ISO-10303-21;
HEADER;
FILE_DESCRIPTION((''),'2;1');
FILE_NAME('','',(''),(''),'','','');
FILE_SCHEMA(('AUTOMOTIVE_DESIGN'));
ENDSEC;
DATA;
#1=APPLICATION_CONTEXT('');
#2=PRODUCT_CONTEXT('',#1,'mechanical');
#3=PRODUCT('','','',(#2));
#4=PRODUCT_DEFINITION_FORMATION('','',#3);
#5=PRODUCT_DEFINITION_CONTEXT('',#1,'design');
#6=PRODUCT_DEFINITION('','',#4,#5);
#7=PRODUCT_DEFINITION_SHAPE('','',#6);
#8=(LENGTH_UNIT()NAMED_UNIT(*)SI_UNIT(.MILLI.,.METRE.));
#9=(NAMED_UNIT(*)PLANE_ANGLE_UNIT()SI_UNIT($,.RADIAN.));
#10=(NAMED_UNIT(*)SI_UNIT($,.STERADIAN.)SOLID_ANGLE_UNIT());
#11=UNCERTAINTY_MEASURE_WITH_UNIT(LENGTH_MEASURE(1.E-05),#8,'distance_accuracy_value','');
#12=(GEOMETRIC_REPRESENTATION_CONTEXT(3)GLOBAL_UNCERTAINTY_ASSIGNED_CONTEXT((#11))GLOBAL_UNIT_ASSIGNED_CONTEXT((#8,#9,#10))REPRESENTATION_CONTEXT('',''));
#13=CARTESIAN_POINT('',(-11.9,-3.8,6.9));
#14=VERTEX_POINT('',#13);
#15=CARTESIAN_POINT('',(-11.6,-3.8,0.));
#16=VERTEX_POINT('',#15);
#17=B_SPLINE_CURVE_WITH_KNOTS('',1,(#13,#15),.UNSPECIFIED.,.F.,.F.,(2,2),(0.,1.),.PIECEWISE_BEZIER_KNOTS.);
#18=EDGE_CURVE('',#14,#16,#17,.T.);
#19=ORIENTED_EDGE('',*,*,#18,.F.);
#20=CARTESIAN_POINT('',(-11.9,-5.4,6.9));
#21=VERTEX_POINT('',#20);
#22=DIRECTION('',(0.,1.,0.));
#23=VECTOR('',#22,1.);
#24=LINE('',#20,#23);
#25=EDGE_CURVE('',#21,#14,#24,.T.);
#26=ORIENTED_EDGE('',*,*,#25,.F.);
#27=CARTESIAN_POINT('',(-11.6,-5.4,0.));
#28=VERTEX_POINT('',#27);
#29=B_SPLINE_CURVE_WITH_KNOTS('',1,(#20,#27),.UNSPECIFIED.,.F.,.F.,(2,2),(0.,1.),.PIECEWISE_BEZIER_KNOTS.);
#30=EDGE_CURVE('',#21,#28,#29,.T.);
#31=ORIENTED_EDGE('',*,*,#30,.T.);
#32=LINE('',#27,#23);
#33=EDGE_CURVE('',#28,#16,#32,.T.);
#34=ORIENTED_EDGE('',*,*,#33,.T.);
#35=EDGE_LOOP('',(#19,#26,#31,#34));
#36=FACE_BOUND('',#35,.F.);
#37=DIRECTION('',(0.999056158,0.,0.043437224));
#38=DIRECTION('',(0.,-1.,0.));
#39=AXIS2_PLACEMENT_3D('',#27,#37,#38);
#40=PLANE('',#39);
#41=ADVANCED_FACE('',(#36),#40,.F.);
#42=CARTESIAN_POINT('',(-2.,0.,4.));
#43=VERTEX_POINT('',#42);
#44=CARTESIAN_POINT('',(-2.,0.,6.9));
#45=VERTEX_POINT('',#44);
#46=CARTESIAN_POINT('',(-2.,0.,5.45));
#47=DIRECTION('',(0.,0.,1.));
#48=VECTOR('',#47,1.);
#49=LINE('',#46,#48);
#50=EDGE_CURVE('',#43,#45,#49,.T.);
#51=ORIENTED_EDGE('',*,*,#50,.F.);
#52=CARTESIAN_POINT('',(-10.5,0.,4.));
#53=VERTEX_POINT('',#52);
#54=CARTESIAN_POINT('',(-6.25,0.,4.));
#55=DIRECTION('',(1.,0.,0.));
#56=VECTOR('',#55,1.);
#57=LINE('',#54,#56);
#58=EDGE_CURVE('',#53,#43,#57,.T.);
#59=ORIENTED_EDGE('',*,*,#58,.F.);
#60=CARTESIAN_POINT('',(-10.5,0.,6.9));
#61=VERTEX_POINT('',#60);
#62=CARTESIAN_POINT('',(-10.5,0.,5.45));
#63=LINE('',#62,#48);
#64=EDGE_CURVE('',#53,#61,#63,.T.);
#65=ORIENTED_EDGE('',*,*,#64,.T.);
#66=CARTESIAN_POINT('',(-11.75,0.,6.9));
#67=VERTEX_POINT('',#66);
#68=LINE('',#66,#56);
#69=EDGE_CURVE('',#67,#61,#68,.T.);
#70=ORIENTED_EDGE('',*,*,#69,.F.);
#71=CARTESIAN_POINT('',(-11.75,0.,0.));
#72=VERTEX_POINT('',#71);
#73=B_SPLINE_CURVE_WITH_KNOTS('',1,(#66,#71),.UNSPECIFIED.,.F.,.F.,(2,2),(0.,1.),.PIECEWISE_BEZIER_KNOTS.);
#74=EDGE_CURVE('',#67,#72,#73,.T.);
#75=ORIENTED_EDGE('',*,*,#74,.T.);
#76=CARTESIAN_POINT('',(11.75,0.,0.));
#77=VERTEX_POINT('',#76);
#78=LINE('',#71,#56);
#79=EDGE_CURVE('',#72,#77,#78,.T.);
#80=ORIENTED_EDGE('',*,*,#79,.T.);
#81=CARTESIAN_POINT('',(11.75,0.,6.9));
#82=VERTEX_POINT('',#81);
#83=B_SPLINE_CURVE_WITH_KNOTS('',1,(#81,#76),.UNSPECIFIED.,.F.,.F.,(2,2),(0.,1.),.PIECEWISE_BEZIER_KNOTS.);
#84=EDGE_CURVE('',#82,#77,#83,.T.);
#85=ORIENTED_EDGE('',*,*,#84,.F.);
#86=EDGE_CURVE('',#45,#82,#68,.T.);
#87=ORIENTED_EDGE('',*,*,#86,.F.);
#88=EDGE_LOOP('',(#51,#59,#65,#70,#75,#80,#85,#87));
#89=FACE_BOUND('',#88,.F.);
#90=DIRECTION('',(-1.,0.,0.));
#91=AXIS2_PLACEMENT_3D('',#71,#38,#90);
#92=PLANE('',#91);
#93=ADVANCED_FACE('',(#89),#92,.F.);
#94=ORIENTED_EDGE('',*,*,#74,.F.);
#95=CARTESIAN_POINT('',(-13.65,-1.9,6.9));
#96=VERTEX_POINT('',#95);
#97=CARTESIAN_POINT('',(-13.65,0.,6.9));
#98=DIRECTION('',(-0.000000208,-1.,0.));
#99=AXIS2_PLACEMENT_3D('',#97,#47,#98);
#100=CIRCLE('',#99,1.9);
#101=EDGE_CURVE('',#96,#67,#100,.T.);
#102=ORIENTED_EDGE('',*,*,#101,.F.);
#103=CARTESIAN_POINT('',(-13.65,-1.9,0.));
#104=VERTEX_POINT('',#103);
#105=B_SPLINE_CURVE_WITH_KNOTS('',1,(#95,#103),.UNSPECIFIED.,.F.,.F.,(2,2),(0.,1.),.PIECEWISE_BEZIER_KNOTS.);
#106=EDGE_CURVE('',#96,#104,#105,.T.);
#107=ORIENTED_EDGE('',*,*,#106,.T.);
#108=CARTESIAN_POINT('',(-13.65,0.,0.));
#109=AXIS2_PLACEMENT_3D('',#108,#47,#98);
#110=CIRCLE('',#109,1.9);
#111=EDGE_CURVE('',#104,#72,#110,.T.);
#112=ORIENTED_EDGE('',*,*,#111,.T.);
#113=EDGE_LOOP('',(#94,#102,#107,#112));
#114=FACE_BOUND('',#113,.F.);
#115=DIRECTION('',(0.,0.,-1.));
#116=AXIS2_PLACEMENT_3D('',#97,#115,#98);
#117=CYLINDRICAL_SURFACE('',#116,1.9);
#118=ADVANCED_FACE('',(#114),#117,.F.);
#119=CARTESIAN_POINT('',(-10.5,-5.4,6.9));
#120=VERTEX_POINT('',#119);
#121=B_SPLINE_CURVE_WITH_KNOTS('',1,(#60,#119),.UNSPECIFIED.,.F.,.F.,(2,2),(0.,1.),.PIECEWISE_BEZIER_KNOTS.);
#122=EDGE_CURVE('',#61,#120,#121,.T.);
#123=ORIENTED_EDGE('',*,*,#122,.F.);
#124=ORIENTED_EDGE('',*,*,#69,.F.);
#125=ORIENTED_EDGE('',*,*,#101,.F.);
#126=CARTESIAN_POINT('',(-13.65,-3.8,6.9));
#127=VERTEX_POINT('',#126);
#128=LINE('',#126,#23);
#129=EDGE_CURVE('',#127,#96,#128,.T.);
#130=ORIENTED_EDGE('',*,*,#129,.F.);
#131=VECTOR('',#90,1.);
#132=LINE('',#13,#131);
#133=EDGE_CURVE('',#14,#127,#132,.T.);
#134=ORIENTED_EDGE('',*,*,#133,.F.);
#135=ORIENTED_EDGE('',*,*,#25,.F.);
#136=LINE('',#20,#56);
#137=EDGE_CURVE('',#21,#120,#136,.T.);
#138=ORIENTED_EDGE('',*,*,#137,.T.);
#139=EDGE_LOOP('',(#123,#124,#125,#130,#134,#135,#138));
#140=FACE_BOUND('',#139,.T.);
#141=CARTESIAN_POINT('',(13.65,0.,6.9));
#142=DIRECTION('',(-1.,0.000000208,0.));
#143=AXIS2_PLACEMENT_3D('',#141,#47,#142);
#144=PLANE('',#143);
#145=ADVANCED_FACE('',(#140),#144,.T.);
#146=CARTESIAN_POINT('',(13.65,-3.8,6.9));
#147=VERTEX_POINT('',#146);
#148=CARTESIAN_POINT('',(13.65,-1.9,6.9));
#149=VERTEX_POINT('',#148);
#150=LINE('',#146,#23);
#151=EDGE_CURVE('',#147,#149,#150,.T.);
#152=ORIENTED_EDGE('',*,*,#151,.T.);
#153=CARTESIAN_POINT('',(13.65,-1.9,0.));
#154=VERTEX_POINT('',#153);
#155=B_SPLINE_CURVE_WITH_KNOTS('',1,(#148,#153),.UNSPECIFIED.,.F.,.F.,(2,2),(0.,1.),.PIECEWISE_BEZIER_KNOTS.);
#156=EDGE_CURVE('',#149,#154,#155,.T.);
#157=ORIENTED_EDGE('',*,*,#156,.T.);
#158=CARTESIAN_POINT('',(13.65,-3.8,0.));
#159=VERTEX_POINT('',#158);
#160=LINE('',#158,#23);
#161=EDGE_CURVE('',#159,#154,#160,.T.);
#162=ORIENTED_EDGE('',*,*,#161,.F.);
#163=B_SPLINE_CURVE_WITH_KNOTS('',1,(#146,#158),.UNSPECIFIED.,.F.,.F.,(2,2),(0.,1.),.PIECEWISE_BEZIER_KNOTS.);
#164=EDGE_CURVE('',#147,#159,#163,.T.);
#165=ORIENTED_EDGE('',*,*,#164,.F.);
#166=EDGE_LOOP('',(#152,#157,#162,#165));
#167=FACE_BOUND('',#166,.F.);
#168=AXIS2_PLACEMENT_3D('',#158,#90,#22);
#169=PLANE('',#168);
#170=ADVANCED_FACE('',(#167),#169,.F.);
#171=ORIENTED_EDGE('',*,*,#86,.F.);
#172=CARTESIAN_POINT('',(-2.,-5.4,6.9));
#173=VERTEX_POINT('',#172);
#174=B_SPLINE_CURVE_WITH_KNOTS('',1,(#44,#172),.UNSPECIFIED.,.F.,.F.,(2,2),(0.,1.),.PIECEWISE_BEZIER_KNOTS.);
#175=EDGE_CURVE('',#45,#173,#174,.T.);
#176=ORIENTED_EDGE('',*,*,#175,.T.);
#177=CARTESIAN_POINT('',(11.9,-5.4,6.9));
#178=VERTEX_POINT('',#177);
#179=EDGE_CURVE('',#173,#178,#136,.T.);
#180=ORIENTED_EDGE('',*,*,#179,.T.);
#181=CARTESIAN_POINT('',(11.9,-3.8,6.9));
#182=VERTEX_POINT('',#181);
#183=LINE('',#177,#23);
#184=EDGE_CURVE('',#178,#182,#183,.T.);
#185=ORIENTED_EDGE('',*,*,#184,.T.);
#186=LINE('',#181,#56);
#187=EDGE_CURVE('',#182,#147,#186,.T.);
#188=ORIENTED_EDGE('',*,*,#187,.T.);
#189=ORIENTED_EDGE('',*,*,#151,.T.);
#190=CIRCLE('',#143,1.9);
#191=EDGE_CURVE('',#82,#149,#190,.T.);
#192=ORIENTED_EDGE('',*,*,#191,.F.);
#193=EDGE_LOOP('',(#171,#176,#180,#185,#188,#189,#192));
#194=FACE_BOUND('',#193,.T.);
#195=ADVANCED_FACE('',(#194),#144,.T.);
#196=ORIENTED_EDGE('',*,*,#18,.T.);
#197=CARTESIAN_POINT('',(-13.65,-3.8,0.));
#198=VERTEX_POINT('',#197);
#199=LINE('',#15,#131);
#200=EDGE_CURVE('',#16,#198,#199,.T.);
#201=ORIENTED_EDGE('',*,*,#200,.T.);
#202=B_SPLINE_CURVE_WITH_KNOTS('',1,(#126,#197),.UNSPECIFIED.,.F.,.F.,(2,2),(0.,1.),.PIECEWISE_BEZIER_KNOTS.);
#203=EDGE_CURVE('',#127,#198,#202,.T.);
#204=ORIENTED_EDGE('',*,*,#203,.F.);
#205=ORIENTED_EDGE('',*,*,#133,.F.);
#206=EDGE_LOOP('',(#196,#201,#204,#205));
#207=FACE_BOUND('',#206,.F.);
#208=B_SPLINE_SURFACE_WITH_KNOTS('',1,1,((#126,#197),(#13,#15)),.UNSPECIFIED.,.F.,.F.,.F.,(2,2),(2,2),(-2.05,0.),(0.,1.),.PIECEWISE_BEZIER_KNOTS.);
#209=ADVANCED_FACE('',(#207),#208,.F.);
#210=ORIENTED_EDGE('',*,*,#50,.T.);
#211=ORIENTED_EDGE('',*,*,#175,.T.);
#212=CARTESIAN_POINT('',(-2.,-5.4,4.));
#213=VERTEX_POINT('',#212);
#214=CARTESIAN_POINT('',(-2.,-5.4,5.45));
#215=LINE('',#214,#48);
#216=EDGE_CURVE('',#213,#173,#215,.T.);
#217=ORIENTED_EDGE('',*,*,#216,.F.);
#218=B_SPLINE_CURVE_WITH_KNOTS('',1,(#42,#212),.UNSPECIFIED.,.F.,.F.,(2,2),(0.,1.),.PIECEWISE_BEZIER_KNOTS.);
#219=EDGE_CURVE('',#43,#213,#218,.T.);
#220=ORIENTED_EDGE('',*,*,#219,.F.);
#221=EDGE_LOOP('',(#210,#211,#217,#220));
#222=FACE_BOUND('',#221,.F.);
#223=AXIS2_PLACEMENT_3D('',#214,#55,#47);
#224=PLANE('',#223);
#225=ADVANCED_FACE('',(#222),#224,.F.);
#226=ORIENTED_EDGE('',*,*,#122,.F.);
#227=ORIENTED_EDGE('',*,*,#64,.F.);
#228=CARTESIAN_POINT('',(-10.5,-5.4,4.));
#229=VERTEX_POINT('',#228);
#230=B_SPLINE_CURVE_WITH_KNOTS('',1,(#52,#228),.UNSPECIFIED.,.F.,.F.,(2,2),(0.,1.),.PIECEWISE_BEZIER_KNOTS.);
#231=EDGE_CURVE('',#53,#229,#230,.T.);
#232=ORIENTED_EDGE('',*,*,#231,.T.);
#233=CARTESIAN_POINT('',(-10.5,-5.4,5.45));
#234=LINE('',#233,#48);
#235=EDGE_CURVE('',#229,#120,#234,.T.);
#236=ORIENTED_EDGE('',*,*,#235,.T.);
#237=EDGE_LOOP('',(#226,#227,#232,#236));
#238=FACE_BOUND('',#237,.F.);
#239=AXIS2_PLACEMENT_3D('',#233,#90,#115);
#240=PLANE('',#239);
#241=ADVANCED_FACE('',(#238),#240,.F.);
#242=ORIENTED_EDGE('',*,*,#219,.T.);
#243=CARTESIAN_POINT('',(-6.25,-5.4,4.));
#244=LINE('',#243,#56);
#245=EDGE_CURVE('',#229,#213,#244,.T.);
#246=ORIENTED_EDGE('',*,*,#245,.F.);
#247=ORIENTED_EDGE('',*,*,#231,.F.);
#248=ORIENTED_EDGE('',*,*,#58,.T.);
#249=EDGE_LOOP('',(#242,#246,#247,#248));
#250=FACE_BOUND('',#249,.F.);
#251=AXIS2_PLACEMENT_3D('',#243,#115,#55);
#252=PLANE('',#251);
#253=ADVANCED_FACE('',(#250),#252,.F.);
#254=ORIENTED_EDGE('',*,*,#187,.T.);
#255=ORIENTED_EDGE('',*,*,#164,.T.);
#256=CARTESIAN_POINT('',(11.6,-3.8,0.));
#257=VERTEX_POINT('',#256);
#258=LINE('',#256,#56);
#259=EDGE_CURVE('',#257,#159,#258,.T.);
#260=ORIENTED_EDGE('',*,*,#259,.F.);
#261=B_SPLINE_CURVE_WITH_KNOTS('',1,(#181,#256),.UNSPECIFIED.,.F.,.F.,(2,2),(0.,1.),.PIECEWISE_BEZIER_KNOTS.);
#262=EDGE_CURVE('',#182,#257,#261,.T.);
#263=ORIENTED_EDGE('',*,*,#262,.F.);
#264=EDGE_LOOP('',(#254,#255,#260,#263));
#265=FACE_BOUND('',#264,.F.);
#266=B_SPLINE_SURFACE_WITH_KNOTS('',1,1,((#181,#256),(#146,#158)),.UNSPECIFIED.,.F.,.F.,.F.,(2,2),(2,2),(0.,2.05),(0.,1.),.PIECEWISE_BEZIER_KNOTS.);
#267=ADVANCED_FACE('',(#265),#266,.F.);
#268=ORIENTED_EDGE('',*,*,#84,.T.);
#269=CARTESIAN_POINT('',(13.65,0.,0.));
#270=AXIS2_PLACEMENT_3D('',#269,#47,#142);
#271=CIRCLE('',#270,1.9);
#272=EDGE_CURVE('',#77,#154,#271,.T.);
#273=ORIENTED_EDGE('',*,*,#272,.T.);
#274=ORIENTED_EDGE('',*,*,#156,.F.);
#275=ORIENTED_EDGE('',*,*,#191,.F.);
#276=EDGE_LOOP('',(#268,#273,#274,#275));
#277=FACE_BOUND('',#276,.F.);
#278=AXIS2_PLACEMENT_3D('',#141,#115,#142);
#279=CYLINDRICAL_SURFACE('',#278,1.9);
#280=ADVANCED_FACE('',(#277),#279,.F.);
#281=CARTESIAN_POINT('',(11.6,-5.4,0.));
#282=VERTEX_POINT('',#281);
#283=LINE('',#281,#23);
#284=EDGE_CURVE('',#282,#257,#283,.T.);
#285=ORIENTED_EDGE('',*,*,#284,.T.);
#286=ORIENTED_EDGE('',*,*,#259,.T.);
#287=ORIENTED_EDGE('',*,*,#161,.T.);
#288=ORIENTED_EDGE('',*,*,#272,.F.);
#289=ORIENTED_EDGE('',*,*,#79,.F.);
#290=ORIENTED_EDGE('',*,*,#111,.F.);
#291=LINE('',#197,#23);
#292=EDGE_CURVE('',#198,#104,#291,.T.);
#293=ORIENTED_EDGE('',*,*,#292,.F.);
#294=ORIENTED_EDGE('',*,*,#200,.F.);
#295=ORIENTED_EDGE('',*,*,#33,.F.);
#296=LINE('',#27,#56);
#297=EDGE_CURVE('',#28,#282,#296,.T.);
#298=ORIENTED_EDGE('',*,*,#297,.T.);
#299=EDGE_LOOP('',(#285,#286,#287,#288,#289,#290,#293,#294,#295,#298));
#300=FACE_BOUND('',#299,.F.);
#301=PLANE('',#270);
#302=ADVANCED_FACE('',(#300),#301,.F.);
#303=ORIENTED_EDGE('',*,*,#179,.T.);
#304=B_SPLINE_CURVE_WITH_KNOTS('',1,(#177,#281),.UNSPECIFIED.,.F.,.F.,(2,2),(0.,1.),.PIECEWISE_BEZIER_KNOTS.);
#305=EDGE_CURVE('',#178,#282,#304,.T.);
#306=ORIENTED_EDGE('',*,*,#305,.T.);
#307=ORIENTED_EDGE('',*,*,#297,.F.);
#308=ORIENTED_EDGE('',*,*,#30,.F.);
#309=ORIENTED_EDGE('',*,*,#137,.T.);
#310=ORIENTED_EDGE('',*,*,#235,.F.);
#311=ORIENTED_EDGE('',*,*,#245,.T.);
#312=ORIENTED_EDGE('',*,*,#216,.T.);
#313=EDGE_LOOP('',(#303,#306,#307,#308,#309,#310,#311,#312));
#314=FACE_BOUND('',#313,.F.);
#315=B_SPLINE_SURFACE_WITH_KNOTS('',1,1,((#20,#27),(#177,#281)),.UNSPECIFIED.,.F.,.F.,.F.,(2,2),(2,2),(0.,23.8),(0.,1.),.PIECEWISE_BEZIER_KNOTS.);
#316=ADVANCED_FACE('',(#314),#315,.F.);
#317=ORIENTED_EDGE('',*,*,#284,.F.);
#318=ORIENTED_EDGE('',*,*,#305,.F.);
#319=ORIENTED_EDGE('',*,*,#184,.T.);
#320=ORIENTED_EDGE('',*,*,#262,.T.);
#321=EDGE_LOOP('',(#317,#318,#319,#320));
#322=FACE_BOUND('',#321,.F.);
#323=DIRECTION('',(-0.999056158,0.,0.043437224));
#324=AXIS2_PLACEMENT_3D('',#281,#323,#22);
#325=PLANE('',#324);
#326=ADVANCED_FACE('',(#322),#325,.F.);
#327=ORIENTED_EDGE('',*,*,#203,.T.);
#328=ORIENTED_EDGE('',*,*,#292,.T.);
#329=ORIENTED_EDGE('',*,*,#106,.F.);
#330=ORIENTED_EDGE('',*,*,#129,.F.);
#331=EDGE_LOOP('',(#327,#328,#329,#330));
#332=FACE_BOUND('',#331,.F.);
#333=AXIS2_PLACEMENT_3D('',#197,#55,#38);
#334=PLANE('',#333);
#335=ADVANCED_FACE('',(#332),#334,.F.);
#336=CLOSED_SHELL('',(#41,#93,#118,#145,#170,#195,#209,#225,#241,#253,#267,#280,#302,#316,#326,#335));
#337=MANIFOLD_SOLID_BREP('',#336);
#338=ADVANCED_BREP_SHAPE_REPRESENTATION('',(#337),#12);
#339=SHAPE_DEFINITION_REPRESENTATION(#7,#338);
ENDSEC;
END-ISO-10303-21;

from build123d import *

# Parameters (mm, degrees)
SKETCH002_W = 8.5
SKETCH002_H = 2.9
SKETCH003_W = 8.5
SKETCH003_H = 2.9


with BuildPart() as part:
    # Sketch001 → AdditiveLoft section 0
    with BuildSketch(Plane.XY.offset(6.9)):
        with BuildLine():
            Line((-11.9, -5.4), (11.9, -5.4))
            Line((11.9, -5.4), (11.9, -3.8))
            Line((11.9, -3.8), (13.65, -3.8))
            Line((13.65, -3.8), (13.65, -1.9))
            ThreePointArc((11.75, 0), (12.306497, -1.343503), (13.65, -1.9))
            Line((-11.75, 0), (11.75, 0))
            ThreePointArc((-13.65, -1.9), (-12.306497, -1.343503), (-11.75, 0))
            Line((-13.65, -3.8), (-13.65, -1.9))
            Line((-11.9, -3.8), (-13.65, -3.8))
            Line((-11.9, -5.4), (-11.9, -3.8))
        make_face()
    # Sketch → AdditiveLoft section 1
    with BuildSketch(Plane.XY):
        with BuildLine():
            Line((-11.6, -5.4), (11.6, -5.4))
            Line((11.6, -5.4), (11.6, -3.8))
            Line((11.6, -3.8), (13.65, -3.8))
            Line((13.65, -3.8), (13.65, -1.9))
            ThreePointArc((11.75, 0), (12.306497, -1.343503), (13.65, -1.9))
            Line((-11.75, 0), (11.75, 0))
            ThreePointArc((-13.65, -1.9), (-12.306497, -1.343503), (-11.75, 0))
            Line((-13.65, -3.8), (-13.65, -1.9))
            Line((-11.6, -3.8), (-13.65, -3.8))
            Line((-11.6, -5.4), (-11.6, -3.8))
        make_face()
    loft()

    # Sketch002 → SubtractiveLoft section 0
    with BuildSketch(Plane.XZ):
        with Locations((-6.25, 5.45)):
            Rectangle(SKETCH002_W, SKETCH002_H)
    # Sketch003 → SubtractiveLoft section 1
    with BuildSketch(Plane.XZ.offset(5.4)):
        with Locations((-6.25, 5.45)):
            Rectangle(SKETCH003_W, SKETCH003_H)
    loft(mode=Mode.SUBTRACT)


solid = part.part
